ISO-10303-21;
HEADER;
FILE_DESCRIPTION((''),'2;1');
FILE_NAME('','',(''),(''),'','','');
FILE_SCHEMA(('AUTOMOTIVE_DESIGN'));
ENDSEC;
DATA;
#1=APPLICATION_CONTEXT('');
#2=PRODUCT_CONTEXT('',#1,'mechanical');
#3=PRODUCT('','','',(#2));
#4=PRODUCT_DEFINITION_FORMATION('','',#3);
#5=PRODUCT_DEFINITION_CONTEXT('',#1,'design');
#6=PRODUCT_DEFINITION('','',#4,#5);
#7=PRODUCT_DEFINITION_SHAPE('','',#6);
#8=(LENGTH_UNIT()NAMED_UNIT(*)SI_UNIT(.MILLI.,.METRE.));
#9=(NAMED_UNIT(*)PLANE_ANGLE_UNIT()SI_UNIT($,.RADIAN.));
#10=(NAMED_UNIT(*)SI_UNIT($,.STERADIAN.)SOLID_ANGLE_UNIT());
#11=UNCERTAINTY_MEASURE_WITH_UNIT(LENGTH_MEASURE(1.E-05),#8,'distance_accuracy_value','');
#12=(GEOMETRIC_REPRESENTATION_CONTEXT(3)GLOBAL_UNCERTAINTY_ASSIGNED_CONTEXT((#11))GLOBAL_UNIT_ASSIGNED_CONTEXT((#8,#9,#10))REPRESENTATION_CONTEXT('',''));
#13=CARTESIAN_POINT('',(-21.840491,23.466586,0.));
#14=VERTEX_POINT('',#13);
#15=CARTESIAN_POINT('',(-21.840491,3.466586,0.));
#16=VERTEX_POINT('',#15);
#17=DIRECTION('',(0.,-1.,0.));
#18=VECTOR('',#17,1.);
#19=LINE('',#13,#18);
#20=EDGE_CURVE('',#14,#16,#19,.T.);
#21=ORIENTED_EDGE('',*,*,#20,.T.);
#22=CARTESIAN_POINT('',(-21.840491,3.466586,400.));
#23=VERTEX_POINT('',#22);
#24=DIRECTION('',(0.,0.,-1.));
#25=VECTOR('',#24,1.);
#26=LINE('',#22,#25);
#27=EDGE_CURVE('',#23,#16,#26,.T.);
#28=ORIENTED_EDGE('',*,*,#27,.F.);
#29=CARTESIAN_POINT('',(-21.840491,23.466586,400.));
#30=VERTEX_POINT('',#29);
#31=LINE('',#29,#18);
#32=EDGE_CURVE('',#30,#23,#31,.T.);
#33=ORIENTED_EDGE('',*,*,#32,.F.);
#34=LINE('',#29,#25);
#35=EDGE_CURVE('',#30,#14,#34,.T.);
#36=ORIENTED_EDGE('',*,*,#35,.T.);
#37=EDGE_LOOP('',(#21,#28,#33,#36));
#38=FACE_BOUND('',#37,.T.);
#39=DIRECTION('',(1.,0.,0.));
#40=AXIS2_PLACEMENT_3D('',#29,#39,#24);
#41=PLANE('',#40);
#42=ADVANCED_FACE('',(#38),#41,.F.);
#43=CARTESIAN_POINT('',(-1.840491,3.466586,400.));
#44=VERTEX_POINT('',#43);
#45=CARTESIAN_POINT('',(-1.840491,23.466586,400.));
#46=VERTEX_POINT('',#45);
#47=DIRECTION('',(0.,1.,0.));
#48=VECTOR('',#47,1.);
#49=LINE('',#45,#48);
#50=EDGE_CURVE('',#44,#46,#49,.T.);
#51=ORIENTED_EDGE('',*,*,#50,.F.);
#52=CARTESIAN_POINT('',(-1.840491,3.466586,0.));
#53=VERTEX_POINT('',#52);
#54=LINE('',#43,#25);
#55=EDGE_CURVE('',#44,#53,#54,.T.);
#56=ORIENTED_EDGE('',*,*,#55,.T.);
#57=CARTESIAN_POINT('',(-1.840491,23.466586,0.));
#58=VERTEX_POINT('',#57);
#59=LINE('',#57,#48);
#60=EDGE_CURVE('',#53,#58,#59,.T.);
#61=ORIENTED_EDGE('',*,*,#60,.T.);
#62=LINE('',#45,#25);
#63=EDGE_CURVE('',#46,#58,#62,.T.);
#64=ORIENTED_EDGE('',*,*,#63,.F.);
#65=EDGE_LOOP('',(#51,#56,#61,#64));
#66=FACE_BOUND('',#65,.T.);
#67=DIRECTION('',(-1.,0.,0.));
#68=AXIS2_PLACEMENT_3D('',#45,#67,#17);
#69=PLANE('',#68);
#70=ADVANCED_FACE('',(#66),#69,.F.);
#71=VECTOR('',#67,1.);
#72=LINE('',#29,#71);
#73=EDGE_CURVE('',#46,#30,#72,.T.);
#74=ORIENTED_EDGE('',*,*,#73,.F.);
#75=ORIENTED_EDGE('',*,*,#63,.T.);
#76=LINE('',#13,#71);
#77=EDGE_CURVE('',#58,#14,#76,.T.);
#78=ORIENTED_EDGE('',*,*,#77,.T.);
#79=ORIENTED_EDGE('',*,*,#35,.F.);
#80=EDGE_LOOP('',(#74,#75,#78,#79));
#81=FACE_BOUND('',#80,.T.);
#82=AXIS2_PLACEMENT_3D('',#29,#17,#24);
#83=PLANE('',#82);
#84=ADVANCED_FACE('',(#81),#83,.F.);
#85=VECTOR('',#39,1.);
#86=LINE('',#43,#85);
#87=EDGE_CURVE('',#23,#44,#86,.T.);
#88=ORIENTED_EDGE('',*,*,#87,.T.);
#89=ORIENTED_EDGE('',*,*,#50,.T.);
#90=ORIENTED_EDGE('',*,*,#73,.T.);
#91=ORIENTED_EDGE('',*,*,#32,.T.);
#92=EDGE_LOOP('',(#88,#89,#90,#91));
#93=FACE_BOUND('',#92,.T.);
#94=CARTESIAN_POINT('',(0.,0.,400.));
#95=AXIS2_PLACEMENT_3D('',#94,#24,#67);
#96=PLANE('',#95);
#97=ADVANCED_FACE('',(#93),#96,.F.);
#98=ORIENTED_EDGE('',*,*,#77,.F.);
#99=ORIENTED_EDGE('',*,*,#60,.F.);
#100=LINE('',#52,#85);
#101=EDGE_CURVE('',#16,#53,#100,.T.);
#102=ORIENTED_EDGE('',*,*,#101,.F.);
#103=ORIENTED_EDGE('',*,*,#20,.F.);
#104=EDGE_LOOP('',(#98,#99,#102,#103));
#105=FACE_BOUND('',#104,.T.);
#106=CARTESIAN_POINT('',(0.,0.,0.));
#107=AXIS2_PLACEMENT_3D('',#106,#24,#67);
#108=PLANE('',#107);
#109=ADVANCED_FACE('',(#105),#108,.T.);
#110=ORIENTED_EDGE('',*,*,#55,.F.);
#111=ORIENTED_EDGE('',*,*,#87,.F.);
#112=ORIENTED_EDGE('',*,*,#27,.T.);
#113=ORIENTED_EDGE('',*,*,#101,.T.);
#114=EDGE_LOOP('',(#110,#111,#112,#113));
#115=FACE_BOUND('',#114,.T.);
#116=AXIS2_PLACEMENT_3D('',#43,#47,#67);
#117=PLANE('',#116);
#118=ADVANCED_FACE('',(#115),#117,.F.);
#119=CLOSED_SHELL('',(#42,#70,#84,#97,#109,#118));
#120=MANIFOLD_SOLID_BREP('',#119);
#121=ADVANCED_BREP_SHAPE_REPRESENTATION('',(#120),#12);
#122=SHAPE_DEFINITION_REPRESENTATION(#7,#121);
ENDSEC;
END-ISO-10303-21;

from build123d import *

# Parameters (mm, degrees)
SKETCH_1_W      = 20
SKETCH_1_H      = 20
EXTRUDE_1_DEPTH = 400


with BuildPart() as part:
    # 草图1 → 凸台-拉伸1 (new body)
    with BuildSketch(Plane.XY):
        with Locations((-11.840490798, 13.466585539)):
            Rectangle(SKETCH_1_W, SKETCH_1_H)
    extrude(amount=EXTRUDE_1_DEPTH)


solid = part.part
